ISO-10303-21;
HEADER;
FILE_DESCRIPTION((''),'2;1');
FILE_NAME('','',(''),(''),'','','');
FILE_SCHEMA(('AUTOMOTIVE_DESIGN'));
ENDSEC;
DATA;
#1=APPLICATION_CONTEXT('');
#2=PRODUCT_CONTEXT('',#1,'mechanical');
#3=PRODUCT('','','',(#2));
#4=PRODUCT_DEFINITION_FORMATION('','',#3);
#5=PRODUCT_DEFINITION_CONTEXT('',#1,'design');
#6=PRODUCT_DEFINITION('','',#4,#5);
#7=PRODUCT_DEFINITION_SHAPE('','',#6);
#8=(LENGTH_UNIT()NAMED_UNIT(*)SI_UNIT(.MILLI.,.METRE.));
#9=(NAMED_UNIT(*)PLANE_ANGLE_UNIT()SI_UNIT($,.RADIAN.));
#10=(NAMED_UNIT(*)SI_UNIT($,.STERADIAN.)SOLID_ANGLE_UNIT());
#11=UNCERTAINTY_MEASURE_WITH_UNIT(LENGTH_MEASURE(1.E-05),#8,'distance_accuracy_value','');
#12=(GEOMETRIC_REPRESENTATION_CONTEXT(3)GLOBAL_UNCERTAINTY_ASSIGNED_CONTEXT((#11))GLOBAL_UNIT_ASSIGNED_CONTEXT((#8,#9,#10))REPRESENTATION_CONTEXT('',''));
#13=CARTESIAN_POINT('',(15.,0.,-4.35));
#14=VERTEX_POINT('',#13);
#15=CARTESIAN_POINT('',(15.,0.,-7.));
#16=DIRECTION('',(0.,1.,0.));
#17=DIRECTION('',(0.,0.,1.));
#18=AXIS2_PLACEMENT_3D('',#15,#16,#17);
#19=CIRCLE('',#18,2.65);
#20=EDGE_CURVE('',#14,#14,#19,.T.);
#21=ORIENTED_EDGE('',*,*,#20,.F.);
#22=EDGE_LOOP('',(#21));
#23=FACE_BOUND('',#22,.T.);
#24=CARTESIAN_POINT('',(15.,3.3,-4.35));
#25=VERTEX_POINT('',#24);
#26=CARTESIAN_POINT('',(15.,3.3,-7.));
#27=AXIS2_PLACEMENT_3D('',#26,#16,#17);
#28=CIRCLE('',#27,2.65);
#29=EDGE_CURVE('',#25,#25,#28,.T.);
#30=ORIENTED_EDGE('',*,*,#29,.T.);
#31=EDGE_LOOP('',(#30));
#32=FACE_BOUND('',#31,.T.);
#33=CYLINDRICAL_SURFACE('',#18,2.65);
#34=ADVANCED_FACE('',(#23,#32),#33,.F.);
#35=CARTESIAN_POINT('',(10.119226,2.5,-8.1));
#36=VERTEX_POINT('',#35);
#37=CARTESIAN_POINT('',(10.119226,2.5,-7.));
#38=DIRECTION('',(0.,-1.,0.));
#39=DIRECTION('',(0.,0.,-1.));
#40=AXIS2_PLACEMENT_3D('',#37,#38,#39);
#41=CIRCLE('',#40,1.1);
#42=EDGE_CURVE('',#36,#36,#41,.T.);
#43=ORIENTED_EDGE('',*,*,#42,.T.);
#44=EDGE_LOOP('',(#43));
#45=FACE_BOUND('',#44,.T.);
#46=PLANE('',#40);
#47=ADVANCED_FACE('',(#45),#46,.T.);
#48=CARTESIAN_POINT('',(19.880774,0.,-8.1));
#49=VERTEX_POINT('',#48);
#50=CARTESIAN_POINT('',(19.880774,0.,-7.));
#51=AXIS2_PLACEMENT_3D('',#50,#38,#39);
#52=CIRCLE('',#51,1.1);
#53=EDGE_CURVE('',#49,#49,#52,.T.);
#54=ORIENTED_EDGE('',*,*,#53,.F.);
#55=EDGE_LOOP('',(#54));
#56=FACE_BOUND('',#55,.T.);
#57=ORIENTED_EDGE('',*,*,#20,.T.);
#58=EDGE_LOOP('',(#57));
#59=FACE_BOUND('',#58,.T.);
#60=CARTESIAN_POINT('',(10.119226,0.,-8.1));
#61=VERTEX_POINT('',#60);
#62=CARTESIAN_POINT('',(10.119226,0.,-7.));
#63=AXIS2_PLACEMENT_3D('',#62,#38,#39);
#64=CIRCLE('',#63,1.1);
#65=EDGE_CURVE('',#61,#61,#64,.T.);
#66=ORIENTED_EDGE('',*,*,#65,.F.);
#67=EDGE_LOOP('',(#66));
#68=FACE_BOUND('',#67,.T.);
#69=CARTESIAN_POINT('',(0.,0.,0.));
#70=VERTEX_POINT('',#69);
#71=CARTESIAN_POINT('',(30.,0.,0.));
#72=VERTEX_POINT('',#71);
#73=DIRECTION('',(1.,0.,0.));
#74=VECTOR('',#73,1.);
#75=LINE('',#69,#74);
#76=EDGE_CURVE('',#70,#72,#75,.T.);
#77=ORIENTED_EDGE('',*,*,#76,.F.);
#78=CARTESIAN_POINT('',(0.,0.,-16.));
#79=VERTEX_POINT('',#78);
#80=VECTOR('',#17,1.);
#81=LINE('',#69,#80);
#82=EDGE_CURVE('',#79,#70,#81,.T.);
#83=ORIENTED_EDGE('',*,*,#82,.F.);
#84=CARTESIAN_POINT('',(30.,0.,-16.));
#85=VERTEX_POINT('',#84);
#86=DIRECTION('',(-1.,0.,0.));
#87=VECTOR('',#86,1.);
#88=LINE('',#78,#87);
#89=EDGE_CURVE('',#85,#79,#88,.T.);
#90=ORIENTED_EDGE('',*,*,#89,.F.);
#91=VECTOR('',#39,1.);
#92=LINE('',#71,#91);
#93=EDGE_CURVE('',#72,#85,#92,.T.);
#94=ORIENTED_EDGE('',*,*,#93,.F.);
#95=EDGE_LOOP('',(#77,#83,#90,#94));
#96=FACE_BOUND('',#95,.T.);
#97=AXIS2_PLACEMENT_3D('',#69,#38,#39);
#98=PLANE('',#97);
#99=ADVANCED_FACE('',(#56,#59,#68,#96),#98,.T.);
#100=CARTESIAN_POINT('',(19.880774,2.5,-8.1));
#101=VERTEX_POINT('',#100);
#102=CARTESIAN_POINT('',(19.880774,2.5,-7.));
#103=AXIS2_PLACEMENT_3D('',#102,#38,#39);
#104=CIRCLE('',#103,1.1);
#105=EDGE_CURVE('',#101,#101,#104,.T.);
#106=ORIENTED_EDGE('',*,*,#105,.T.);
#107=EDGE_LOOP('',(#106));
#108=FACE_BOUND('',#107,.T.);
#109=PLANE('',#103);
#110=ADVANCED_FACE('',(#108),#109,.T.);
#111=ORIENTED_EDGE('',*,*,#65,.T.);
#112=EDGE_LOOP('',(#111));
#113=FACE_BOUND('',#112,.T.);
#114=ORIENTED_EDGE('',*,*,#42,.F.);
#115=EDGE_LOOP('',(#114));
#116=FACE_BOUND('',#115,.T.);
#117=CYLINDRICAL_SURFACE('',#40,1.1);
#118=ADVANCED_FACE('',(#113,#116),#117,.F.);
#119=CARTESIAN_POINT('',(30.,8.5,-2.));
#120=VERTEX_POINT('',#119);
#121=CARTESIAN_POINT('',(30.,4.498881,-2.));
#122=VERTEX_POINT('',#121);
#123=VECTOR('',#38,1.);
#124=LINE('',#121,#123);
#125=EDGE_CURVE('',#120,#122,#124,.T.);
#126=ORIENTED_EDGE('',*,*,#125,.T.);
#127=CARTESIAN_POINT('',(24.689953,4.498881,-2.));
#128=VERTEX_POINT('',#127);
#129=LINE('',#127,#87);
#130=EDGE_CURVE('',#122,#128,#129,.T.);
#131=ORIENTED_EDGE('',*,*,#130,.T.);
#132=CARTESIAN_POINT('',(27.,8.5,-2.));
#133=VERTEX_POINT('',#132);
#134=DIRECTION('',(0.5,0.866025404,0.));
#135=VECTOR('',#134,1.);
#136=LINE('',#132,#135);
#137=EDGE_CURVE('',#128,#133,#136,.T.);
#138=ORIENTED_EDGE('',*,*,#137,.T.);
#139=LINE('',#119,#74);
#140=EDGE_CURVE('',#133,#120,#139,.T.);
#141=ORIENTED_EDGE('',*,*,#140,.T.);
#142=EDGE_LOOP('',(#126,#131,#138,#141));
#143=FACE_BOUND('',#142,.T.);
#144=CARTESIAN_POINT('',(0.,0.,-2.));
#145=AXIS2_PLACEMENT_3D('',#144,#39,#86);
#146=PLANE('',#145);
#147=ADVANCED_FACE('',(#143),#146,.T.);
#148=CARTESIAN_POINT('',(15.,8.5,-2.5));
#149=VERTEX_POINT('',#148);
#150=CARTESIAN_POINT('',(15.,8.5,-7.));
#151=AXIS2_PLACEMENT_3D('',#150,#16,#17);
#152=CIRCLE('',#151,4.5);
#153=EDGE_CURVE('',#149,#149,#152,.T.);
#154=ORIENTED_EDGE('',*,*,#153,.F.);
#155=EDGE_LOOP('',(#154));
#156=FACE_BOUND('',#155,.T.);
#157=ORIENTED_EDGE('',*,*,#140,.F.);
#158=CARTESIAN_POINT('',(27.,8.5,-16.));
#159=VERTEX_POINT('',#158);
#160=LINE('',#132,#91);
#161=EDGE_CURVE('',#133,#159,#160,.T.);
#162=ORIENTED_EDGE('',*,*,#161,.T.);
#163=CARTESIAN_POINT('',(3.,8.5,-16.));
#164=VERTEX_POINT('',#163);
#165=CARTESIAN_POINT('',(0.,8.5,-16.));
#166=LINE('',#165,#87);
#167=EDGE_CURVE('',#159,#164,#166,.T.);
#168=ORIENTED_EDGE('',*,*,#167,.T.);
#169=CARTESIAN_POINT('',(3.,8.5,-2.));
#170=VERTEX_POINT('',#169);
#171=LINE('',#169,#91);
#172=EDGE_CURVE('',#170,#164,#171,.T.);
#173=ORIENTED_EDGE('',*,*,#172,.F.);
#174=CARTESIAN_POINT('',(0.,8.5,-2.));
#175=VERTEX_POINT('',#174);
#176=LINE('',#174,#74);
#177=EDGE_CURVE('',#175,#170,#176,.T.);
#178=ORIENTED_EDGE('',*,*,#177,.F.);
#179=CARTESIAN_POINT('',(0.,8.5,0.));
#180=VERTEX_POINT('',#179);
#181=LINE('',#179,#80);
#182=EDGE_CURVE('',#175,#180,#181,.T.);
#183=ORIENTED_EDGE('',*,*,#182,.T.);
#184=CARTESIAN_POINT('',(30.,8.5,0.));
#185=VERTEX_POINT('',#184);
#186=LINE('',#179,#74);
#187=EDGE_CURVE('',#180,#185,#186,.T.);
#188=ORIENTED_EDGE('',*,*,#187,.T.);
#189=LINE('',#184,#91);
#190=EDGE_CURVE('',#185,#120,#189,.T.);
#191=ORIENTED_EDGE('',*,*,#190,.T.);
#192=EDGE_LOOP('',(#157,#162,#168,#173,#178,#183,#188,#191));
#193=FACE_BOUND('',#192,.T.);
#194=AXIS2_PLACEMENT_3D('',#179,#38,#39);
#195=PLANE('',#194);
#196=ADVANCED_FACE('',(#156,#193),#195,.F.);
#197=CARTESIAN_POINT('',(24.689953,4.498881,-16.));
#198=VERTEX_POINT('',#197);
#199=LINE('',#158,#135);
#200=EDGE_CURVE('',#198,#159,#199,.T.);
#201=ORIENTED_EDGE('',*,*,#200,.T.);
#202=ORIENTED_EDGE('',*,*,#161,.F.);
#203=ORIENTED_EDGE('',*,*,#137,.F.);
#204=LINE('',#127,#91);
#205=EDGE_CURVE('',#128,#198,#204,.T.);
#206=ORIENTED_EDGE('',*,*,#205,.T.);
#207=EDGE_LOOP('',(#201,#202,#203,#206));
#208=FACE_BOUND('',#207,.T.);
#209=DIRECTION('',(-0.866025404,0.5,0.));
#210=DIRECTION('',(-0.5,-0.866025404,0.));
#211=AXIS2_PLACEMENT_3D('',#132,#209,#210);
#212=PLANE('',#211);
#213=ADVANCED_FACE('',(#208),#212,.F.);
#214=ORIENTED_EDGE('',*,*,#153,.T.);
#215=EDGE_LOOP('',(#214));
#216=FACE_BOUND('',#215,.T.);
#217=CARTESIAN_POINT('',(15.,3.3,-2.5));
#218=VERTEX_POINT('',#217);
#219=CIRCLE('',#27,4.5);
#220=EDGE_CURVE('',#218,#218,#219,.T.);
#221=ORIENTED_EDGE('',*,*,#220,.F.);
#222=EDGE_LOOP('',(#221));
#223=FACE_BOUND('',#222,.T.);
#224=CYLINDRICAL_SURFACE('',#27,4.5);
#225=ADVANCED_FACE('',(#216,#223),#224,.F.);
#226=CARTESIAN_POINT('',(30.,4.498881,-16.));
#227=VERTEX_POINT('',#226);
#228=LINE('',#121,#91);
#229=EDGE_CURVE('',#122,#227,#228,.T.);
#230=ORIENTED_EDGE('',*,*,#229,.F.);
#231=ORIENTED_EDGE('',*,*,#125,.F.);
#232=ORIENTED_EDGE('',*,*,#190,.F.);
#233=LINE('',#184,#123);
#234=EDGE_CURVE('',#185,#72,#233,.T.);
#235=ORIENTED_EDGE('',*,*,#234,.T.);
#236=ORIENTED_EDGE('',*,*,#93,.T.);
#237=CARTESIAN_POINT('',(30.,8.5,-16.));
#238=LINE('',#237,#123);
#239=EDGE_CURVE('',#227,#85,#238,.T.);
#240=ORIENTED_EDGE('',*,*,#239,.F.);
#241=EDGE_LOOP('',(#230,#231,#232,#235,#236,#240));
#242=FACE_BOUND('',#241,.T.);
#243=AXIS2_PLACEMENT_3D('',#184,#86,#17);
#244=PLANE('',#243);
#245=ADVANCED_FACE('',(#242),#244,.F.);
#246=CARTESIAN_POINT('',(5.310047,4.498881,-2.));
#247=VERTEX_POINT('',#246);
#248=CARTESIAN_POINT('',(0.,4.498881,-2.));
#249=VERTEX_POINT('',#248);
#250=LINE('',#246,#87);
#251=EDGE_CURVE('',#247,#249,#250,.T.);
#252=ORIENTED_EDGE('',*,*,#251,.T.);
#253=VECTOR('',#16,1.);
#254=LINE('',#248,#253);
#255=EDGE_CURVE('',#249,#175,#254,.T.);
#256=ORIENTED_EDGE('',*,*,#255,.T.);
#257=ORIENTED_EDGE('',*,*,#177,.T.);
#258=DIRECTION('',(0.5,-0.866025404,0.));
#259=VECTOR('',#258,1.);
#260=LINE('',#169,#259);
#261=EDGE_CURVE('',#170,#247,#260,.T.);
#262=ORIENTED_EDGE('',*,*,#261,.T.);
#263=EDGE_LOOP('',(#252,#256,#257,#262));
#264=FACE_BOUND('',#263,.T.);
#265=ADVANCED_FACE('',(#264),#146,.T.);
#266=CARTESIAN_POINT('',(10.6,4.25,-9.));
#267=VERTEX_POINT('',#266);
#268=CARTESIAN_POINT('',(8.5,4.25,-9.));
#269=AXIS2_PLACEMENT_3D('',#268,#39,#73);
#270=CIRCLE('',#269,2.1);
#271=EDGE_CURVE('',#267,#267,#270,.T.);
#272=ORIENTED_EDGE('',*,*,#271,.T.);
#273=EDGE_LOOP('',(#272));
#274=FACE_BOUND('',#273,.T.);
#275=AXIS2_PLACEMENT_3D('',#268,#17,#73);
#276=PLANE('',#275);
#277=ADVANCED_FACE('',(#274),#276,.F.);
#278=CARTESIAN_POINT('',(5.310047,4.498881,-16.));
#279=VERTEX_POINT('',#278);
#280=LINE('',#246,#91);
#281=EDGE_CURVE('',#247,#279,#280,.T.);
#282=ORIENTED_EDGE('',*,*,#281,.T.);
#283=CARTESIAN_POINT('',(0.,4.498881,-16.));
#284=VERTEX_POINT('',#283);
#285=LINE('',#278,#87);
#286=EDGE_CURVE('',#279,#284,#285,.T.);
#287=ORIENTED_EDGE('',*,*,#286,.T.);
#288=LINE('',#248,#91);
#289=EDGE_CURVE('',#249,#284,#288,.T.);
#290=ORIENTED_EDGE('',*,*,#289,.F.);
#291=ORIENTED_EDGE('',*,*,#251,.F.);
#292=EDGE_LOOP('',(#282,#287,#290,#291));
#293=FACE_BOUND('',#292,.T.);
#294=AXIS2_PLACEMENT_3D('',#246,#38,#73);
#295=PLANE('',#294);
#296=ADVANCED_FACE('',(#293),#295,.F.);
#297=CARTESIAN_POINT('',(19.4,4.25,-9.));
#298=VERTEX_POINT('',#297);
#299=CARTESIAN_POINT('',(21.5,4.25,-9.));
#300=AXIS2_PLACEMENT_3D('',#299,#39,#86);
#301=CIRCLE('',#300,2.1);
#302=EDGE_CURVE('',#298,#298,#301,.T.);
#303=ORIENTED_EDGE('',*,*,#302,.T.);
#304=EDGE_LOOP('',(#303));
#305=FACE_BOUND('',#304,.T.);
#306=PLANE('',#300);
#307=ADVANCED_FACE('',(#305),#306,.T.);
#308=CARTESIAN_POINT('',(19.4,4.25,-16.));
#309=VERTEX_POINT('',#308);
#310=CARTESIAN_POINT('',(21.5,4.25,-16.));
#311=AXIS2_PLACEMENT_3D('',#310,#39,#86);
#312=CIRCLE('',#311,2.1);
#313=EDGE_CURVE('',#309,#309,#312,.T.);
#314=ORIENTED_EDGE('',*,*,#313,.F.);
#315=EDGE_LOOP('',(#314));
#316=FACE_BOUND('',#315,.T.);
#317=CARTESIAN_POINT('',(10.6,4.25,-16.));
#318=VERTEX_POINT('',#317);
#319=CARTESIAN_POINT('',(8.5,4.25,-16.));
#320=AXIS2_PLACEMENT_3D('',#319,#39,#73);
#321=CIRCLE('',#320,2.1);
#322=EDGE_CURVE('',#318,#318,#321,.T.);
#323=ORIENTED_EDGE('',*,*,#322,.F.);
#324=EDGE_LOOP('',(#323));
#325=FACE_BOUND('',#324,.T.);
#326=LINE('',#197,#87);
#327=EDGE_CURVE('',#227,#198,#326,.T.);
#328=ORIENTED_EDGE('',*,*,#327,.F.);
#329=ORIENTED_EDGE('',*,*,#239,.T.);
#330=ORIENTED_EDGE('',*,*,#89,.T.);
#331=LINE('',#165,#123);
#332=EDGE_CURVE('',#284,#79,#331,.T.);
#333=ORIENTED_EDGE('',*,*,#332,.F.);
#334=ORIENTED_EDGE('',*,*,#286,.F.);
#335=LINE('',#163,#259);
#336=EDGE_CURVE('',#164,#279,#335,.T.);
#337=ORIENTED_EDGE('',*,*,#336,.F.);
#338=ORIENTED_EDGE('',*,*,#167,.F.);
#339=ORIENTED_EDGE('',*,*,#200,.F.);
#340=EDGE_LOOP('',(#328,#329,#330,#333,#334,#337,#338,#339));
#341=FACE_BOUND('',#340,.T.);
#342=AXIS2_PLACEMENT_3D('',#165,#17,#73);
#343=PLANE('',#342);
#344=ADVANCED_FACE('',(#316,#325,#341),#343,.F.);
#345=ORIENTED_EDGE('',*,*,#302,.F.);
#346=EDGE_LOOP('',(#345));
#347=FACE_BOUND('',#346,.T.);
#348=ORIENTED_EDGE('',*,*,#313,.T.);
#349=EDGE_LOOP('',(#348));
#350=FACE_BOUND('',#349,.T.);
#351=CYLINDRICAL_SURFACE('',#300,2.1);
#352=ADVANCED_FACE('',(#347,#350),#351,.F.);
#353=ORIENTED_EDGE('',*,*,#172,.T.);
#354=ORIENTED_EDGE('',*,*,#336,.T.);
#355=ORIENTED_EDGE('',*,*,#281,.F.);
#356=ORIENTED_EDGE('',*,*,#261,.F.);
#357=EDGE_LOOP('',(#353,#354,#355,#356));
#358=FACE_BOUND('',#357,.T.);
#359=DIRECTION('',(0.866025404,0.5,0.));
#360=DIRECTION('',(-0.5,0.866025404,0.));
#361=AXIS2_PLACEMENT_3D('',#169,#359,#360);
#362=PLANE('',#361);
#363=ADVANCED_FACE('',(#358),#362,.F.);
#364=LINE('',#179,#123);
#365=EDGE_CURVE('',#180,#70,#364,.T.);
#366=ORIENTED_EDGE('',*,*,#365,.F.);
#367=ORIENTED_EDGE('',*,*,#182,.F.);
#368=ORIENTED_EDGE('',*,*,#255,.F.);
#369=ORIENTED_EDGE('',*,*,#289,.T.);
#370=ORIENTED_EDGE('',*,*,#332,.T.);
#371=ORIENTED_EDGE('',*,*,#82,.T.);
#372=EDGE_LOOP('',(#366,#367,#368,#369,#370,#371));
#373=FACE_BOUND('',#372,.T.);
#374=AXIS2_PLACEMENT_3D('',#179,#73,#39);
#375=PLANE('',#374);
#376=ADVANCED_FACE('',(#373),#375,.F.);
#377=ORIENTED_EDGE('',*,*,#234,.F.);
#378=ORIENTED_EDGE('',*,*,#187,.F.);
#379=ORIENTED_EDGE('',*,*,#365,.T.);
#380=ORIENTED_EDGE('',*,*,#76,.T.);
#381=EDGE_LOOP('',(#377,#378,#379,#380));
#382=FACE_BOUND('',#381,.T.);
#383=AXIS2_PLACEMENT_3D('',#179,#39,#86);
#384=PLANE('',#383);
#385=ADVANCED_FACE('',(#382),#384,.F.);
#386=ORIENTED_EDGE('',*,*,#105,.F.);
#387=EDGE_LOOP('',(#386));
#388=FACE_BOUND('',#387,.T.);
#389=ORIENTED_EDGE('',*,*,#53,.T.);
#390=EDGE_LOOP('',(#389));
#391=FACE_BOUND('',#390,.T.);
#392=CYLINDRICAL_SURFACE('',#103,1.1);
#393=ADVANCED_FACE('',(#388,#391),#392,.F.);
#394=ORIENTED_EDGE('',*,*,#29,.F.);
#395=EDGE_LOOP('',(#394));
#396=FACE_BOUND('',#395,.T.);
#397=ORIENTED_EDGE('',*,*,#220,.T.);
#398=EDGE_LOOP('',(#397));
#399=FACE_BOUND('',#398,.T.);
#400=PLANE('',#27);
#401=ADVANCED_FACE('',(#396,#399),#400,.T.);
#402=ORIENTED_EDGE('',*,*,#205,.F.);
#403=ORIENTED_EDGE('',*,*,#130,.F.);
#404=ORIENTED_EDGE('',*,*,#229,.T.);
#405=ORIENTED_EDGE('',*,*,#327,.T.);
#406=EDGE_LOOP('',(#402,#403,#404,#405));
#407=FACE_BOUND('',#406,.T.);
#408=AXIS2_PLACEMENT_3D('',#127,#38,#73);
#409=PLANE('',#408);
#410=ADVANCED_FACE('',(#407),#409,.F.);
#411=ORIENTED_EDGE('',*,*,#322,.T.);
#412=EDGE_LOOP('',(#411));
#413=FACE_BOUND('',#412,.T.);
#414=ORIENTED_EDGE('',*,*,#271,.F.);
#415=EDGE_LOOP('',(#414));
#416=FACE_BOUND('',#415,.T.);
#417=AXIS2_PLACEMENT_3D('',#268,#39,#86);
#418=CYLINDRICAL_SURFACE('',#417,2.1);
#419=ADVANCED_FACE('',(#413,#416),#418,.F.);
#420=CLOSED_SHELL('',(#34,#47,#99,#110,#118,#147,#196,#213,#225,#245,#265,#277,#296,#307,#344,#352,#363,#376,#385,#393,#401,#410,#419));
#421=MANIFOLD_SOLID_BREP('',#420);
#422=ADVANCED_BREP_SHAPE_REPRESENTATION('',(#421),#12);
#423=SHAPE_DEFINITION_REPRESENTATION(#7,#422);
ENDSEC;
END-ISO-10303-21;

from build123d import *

# Parameters (mm, degrees)
SKETCH1_W           = 30
SKETCH1_H           = 16
BOSS_EXTRUDE1_DEPTH = 8.5
SKETCH2_R           = 4.5
CUT_EXTRUDE1_DEPTH  = 5.2
SKETCH3_R           = 2.65
CUT_EXTRUDE2_DEPTH  = 35.395348523
CUT_EXTRUDE3_DEPTH  = 14
SKETCH5_R           = 2.1
CUT_EXTRUDE4_DEPTH  = 7
SKETCH6_R           = 1.1
CUT_EXTRUDE5_DEPTH  = 2.5


with BuildPart() as part:
    # Sketch1 → Boss-Extrude1 (new body)
    with BuildSketch(Plane(origin=(0, 0, 0), x_dir=(1, 0, 0), z_dir=(0, 1, 0))):
        with Locations((15, 8)):
            Rectangle(SKETCH1_W, SKETCH1_H)
    extrude(amount=BOSS_EXTRUDE1_DEPTH)

    # Sketch2 → Cut-Extrude1 (cut)
    with BuildSketch(Plane(origin=(0, 8.5, 0), x_dir=(1, 0, 0), z_dir=(0, 1, 0))):
        with Locations(Location((15, 7, 0), (0, 0, 270))):
            Circle(SKETCH2_R)
    extrude(amount=-CUT_EXTRUDE1_DEPTH, mode=Mode.SUBTRACT)

    # Sketch3 → Cut-Extrude2 (cut, through all)
    with BuildSketch(Plane(origin=(0, 3.3, 0), x_dir=(1, 0, 0), z_dir=(0, 1, 0))):
        with Locations(Location((15, 7, 0), (0, 0, 270))):
            Circle(SKETCH3_R)
    extrude(amount=-CUT_EXTRUDE2_DEPTH, mode=Mode.SUBTRACT)

    # Sketch4 → Cut-Extrude3 (cut)
    with BuildSketch(Plane(origin=(0, 0, -16), x_dir=(-1, 0, 0), z_dir=(0, 0, -1))):
        Polygon((-27, 8.5), (-24.68995278, 4.498880847), (-30, 4.498880847), (-30, 8.5), align=None)
        Polygon((0, 8.5), (-3, 8.5), (-5.31004722, 4.498880847), (0, 4.498880847), align=None)
    extrude(amount=-CUT_EXTRUDE3_DEPTH, mode=Mode.SUBTRACT)

    # Sketch5 → Cut-Extrude4 (cut)
    with BuildSketch(Plane(origin=(0, 0, -16), x_dir=(-1, 0, 0), z_dir=(0, 0, -1))):
        with Locations((-21.5, 4.25)):
            Circle(SKETCH5_R)
        with Locations(Location((-8.5, 4.25, 0), (0, 0, 180))):
            Circle(SKETCH5_R)
    extrude(amount=-CUT_EXTRUDE4_DEPTH, mode=Mode.SUBTRACT)

    # Sketch6 → Cut-Extrude5 (cut)
    with BuildSketch(Plane.XZ):
        with Locations(Location((10.119225975, -7, 0), (0, 0, 270))):
            Circle(SKETCH6_R)
        with Locations(Location((19.880774025, -7, 0), (0, 0, 270))):
            Circle(SKETCH6_R)
    extrude(amount=-CUT_EXTRUDE5_DEPTH, mode=Mode.SUBTRACT)


solid = part.part
